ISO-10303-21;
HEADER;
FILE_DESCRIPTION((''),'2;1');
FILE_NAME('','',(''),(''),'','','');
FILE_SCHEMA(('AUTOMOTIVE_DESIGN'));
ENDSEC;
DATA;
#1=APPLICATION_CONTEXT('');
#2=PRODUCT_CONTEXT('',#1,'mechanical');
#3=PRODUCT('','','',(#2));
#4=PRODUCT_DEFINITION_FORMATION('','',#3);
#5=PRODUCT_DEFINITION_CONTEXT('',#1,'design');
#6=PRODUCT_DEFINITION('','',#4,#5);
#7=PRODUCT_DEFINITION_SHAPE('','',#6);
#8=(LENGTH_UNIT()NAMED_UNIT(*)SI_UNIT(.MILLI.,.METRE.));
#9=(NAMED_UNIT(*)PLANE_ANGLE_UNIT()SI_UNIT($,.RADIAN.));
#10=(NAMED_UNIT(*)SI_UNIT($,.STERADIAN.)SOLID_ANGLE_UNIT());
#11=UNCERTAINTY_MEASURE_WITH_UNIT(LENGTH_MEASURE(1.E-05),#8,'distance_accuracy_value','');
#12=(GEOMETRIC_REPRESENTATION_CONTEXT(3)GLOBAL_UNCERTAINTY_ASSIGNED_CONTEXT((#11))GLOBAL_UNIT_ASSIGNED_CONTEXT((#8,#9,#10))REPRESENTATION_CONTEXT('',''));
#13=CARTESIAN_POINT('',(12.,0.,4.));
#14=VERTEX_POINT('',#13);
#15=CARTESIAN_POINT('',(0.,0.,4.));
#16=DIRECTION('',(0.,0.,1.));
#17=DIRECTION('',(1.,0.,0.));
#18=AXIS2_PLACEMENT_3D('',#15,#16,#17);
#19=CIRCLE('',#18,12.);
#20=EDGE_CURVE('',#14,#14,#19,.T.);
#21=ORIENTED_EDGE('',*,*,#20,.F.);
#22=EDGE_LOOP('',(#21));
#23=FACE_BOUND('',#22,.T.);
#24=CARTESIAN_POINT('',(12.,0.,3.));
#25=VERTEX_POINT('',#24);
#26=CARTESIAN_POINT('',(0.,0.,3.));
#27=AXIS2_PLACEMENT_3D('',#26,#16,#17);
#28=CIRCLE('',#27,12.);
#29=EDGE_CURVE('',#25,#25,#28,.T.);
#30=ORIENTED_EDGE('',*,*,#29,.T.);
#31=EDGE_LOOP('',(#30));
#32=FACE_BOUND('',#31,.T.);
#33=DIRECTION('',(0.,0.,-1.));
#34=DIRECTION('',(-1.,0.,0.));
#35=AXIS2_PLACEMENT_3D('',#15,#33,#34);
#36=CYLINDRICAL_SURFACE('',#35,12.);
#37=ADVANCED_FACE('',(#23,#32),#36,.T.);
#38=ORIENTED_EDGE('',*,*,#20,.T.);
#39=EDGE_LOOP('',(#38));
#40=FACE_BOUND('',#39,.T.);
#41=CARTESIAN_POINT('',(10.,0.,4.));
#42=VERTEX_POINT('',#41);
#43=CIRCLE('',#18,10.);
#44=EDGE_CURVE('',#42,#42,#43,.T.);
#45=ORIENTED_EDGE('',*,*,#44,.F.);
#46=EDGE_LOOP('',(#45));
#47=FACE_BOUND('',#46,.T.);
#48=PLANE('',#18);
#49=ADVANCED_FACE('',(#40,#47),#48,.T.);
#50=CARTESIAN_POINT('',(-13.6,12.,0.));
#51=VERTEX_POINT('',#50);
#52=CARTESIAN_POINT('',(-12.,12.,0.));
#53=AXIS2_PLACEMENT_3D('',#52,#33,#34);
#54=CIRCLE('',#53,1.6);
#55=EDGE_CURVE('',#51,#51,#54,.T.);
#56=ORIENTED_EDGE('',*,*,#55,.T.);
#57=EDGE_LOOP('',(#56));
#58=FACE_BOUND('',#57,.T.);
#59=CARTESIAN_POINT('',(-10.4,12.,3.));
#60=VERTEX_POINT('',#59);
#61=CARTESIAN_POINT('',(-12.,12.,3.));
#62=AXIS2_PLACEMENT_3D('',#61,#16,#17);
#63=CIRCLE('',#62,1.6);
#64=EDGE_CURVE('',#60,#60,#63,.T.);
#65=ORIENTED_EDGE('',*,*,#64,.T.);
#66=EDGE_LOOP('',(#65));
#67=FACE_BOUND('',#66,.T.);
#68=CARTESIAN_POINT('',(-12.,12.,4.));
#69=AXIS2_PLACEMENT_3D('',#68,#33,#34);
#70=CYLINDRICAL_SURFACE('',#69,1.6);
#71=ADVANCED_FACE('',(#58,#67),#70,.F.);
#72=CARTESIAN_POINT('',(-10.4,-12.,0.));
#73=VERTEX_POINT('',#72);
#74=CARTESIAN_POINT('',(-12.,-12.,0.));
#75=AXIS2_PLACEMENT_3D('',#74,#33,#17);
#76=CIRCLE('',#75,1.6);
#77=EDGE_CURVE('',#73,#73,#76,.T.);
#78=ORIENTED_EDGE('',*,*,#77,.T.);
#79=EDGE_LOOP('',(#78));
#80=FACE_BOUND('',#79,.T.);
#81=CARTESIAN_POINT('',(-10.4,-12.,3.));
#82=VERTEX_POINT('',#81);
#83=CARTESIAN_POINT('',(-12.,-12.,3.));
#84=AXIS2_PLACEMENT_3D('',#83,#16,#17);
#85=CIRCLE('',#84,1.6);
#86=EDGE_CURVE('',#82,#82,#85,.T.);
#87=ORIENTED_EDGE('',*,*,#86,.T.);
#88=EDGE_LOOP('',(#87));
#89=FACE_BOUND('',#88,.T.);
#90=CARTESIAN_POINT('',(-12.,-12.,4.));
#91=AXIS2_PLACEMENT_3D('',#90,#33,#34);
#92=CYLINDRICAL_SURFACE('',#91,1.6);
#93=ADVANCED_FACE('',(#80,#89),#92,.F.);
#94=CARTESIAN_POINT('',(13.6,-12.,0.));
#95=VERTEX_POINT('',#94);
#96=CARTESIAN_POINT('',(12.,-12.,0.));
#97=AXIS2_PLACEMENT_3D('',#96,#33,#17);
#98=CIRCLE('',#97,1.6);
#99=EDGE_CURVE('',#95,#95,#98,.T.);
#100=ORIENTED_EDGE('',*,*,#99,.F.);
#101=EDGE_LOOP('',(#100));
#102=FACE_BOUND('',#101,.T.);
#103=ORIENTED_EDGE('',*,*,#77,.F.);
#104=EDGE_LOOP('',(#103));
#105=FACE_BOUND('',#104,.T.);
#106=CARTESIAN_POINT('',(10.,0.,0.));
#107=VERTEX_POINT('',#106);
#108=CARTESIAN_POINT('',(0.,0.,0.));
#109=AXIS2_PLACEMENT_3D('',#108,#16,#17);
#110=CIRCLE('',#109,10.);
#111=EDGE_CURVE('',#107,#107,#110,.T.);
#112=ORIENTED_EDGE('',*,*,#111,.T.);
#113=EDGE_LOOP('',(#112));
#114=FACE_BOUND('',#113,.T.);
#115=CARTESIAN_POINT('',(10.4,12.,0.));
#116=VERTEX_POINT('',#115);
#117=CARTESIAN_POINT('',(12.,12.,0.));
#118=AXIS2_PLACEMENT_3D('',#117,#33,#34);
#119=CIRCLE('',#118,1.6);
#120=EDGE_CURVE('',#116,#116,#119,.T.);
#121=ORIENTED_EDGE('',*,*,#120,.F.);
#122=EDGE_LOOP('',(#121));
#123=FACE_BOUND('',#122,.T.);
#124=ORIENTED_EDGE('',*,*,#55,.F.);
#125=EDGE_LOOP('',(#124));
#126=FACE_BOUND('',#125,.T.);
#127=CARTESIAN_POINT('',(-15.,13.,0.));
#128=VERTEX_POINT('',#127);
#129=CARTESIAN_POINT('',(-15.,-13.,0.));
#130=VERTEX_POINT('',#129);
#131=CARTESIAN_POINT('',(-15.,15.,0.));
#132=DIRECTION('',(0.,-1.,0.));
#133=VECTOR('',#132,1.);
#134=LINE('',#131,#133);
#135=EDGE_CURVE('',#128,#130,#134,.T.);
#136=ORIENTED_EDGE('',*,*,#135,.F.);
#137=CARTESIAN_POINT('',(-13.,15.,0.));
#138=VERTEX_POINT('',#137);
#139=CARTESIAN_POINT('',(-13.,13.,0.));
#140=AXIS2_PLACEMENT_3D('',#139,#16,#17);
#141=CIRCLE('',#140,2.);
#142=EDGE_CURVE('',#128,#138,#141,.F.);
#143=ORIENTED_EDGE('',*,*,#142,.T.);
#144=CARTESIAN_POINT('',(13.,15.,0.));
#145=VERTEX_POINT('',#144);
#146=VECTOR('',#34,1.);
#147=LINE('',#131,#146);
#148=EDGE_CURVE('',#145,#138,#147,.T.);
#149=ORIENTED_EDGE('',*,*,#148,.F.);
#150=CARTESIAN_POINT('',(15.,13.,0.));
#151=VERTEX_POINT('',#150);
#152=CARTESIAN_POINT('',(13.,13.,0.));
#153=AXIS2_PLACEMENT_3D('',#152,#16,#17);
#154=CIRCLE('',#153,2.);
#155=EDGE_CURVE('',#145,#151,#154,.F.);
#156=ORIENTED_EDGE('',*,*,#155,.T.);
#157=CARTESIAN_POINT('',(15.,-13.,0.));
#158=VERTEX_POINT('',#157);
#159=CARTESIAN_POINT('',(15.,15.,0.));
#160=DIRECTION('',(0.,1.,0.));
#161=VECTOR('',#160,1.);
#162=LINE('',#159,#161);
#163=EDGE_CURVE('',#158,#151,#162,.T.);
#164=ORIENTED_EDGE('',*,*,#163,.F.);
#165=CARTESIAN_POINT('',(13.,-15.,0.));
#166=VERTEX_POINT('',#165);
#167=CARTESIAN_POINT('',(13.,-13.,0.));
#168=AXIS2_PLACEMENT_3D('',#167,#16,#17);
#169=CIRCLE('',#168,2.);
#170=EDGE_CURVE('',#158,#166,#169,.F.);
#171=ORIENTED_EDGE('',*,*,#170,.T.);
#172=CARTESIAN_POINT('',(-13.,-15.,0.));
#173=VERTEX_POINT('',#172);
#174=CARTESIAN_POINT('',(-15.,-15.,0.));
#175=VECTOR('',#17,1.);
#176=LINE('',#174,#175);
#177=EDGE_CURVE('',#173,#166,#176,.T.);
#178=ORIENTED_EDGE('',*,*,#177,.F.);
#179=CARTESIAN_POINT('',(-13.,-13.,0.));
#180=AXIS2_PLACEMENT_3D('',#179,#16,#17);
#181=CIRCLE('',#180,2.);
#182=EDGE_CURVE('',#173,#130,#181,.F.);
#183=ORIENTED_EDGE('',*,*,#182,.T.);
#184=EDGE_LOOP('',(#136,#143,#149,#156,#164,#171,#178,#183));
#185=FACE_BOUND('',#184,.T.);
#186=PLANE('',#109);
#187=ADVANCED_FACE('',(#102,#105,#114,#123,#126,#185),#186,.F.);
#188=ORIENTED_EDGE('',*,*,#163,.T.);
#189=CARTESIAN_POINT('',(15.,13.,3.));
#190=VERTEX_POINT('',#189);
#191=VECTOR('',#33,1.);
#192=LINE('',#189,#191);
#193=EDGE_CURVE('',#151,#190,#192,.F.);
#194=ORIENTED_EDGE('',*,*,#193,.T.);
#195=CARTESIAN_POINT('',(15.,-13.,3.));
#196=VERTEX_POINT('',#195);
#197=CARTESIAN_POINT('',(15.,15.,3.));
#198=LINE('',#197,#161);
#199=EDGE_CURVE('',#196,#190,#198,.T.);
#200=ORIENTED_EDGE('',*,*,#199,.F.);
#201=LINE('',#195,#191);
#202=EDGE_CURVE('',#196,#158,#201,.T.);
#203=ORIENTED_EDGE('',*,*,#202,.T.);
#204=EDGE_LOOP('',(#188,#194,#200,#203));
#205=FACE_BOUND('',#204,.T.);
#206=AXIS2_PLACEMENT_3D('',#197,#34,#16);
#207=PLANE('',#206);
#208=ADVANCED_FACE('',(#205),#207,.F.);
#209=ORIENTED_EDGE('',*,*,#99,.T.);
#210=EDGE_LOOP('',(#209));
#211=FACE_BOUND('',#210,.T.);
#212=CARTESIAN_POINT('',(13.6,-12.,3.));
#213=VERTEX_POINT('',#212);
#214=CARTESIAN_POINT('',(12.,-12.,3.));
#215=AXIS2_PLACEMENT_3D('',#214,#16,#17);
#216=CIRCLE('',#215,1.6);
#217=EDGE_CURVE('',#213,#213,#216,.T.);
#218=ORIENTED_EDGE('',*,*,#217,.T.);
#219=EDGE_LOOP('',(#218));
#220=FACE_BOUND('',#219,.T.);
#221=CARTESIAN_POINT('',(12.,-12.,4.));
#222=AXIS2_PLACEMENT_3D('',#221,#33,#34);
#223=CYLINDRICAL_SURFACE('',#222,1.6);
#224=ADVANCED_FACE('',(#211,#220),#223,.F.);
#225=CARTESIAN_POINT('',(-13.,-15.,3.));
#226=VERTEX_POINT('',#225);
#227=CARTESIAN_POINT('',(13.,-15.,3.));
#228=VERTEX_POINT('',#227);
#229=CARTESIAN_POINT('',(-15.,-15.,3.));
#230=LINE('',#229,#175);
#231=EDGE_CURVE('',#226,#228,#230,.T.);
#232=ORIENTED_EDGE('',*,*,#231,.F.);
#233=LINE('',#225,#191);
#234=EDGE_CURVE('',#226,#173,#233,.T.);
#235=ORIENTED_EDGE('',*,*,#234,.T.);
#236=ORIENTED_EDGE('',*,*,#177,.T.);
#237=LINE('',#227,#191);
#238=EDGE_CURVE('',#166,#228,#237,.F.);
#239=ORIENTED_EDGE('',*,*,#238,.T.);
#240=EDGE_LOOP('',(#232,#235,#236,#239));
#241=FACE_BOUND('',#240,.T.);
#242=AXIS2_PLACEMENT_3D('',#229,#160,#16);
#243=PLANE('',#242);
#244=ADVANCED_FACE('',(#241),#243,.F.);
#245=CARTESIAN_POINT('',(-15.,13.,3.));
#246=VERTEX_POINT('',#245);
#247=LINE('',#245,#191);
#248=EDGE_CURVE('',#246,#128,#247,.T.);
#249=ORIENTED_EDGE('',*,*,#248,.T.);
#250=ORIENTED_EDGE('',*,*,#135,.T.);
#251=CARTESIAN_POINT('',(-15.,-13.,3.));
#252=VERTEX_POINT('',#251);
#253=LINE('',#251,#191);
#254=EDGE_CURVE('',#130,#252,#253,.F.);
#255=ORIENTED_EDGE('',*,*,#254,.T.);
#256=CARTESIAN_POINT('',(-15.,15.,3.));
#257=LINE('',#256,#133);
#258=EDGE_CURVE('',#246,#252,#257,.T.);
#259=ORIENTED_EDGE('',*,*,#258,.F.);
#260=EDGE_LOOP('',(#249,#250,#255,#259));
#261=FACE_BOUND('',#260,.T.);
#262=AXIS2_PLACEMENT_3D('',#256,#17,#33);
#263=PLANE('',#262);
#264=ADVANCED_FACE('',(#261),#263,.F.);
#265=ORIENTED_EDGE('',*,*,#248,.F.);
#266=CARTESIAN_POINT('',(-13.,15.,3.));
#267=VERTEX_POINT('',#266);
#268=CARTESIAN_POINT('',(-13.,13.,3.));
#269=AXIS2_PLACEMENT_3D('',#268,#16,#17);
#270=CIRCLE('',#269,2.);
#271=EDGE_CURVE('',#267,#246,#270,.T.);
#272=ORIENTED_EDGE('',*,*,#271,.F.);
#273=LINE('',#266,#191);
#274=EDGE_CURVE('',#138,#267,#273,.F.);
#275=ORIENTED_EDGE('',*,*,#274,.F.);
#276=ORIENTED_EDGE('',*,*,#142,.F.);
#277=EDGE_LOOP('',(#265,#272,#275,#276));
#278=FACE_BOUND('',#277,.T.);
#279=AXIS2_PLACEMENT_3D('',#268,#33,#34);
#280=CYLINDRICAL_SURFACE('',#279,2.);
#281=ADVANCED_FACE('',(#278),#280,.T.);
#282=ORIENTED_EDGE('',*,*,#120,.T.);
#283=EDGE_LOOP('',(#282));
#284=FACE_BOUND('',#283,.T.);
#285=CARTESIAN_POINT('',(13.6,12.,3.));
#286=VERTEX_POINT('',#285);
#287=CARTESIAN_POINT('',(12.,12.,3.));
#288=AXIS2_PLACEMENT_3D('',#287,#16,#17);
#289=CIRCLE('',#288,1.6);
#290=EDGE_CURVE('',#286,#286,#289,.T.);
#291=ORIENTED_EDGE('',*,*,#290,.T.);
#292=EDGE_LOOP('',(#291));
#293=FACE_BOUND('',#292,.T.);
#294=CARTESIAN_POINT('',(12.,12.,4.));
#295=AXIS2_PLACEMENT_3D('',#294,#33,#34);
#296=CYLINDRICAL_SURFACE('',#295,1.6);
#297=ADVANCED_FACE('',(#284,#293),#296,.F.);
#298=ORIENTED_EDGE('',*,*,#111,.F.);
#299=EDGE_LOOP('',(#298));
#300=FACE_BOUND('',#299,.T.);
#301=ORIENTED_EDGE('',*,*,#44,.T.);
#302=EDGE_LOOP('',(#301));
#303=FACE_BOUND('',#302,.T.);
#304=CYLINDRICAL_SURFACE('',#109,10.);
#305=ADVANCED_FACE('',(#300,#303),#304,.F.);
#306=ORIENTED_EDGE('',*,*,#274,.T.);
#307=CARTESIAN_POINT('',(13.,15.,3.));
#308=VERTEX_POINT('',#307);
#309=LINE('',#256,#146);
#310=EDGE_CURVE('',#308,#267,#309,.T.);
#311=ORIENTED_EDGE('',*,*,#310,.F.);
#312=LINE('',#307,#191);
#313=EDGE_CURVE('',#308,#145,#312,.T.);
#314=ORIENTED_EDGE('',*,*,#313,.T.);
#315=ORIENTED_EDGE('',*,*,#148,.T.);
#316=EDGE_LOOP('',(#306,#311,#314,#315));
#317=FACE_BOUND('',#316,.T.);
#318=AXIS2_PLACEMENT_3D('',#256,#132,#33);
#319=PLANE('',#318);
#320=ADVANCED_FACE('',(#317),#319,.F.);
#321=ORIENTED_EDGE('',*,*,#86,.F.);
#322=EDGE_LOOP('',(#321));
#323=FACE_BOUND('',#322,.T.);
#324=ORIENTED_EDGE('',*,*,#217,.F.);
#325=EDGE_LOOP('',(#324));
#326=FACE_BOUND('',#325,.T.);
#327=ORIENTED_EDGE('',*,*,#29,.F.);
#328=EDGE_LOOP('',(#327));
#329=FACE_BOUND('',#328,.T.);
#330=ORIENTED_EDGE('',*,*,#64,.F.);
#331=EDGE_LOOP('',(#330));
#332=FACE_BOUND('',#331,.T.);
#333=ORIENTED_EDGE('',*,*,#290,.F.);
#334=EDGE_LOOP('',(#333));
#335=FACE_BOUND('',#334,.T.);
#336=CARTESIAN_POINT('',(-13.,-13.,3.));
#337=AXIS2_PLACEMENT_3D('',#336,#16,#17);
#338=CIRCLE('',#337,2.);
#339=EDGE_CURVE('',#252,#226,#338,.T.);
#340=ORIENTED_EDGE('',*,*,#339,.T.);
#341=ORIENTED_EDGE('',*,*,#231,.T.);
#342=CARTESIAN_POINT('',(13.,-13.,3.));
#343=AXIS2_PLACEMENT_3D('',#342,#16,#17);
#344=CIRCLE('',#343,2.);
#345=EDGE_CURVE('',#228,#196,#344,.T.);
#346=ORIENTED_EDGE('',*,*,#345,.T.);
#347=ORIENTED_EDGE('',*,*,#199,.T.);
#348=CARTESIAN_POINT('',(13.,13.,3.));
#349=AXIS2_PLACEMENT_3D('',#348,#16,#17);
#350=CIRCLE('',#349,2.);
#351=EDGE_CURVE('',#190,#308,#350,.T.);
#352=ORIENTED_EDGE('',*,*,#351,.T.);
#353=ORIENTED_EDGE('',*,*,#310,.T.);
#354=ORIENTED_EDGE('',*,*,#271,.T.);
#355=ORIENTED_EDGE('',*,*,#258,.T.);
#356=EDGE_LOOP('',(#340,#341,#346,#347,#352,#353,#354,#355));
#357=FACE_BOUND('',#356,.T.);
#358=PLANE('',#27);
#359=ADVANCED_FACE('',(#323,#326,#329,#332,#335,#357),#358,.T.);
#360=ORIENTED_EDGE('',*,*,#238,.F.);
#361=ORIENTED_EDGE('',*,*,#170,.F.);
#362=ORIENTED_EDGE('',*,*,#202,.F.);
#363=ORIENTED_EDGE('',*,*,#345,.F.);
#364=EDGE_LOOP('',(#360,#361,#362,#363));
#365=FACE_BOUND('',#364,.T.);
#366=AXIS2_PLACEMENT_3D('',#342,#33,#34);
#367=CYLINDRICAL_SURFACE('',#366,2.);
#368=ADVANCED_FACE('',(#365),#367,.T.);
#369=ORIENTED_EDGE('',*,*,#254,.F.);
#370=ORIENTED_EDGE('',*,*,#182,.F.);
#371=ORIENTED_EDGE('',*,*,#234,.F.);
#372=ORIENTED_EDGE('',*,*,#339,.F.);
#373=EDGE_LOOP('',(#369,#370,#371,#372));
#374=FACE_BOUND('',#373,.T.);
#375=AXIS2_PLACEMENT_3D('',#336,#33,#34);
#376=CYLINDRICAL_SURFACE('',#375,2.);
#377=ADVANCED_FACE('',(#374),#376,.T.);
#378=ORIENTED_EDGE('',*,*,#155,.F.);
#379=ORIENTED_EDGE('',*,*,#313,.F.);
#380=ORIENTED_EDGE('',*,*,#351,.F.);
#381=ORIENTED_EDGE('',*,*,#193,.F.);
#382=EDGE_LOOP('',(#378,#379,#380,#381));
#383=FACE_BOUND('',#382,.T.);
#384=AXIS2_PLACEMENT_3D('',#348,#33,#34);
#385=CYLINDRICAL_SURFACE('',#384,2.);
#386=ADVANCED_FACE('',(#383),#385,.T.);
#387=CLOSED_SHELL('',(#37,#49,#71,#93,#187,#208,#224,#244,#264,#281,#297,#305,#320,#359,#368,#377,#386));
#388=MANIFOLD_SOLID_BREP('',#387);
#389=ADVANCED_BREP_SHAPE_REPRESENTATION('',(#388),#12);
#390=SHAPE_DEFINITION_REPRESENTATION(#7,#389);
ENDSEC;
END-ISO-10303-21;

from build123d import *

# Parameters (mm, degrees)
SKETCH_1_W          = 30
SKETCH_1_H          = 30
EXTRUDE_1_DEPTH     = 3
SKETCH_2_R          = 12
EXTRUDE_2_DEPTH     = 1
SKETCH_3_R          = 10
CUT_EXTRUDE_2_DEPTH = 22.587033145
SKETCH_4_R          = 1.6
CUT_EXTRUDE_3_DEPTH = 22.587033145
FILLET_1_R          = 2


with BuildPart() as part:
    # 草图1 → 凸台-拉伸1 (new body)
    with BuildSketch(Plane.XY):
        Rectangle(SKETCH_1_W, SKETCH_1_H)
    extrude(amount=EXTRUDE_1_DEPTH)

    # 草图2 → 凸台-拉伸2 (add)
    with BuildSketch(Plane.XY.offset(3)):
        Circle(SKETCH_2_R)
    extrude(amount=EXTRUDE_2_DEPTH)

    # 草图3 → 切除-拉伸2 (cut, through all)
    with BuildSketch(Plane.XY.offset(4)):
        Circle(SKETCH_3_R)
    extrude(amount=-CUT_EXTRUDE_2_DEPTH, mode=Mode.SUBTRACT)

    # 草图4 → 切除-拉伸3 (cut, through all)
    with BuildSketch(Plane(origin=(0, 0, 0), x_dir=(-1, 0, 0), z_dir=(0, 0, -1))):
        with Locations((12, 12)):
            Circle(SKETCH_4_R)
        with Locations((-12, 12)):
            Circle(SKETCH_4_R)
        with Locations(Location((12, -12, 0), (0, 0, 180))):
            Circle(SKETCH_4_R)
        with Locations(Location((-12, -12, 0), (0, 0, 180))):
            Circle(SKETCH_4_R)
    extrude(amount=-CUT_EXTRUDE_3_DEPTH, mode=Mode.SUBTRACT)

    # 圆角1
    fillet_1_edges = [part.edges().sort_by_distance(p)[0] for p in [
        (-15, 15, 1.5),
        (15, 15, 1.5),
        (15, -15, 1.5),
        (-15, -15, 1.5),
    ]]
    fillet(fillet_1_edges, radius=FILLET_1_R)


solid = part.part
